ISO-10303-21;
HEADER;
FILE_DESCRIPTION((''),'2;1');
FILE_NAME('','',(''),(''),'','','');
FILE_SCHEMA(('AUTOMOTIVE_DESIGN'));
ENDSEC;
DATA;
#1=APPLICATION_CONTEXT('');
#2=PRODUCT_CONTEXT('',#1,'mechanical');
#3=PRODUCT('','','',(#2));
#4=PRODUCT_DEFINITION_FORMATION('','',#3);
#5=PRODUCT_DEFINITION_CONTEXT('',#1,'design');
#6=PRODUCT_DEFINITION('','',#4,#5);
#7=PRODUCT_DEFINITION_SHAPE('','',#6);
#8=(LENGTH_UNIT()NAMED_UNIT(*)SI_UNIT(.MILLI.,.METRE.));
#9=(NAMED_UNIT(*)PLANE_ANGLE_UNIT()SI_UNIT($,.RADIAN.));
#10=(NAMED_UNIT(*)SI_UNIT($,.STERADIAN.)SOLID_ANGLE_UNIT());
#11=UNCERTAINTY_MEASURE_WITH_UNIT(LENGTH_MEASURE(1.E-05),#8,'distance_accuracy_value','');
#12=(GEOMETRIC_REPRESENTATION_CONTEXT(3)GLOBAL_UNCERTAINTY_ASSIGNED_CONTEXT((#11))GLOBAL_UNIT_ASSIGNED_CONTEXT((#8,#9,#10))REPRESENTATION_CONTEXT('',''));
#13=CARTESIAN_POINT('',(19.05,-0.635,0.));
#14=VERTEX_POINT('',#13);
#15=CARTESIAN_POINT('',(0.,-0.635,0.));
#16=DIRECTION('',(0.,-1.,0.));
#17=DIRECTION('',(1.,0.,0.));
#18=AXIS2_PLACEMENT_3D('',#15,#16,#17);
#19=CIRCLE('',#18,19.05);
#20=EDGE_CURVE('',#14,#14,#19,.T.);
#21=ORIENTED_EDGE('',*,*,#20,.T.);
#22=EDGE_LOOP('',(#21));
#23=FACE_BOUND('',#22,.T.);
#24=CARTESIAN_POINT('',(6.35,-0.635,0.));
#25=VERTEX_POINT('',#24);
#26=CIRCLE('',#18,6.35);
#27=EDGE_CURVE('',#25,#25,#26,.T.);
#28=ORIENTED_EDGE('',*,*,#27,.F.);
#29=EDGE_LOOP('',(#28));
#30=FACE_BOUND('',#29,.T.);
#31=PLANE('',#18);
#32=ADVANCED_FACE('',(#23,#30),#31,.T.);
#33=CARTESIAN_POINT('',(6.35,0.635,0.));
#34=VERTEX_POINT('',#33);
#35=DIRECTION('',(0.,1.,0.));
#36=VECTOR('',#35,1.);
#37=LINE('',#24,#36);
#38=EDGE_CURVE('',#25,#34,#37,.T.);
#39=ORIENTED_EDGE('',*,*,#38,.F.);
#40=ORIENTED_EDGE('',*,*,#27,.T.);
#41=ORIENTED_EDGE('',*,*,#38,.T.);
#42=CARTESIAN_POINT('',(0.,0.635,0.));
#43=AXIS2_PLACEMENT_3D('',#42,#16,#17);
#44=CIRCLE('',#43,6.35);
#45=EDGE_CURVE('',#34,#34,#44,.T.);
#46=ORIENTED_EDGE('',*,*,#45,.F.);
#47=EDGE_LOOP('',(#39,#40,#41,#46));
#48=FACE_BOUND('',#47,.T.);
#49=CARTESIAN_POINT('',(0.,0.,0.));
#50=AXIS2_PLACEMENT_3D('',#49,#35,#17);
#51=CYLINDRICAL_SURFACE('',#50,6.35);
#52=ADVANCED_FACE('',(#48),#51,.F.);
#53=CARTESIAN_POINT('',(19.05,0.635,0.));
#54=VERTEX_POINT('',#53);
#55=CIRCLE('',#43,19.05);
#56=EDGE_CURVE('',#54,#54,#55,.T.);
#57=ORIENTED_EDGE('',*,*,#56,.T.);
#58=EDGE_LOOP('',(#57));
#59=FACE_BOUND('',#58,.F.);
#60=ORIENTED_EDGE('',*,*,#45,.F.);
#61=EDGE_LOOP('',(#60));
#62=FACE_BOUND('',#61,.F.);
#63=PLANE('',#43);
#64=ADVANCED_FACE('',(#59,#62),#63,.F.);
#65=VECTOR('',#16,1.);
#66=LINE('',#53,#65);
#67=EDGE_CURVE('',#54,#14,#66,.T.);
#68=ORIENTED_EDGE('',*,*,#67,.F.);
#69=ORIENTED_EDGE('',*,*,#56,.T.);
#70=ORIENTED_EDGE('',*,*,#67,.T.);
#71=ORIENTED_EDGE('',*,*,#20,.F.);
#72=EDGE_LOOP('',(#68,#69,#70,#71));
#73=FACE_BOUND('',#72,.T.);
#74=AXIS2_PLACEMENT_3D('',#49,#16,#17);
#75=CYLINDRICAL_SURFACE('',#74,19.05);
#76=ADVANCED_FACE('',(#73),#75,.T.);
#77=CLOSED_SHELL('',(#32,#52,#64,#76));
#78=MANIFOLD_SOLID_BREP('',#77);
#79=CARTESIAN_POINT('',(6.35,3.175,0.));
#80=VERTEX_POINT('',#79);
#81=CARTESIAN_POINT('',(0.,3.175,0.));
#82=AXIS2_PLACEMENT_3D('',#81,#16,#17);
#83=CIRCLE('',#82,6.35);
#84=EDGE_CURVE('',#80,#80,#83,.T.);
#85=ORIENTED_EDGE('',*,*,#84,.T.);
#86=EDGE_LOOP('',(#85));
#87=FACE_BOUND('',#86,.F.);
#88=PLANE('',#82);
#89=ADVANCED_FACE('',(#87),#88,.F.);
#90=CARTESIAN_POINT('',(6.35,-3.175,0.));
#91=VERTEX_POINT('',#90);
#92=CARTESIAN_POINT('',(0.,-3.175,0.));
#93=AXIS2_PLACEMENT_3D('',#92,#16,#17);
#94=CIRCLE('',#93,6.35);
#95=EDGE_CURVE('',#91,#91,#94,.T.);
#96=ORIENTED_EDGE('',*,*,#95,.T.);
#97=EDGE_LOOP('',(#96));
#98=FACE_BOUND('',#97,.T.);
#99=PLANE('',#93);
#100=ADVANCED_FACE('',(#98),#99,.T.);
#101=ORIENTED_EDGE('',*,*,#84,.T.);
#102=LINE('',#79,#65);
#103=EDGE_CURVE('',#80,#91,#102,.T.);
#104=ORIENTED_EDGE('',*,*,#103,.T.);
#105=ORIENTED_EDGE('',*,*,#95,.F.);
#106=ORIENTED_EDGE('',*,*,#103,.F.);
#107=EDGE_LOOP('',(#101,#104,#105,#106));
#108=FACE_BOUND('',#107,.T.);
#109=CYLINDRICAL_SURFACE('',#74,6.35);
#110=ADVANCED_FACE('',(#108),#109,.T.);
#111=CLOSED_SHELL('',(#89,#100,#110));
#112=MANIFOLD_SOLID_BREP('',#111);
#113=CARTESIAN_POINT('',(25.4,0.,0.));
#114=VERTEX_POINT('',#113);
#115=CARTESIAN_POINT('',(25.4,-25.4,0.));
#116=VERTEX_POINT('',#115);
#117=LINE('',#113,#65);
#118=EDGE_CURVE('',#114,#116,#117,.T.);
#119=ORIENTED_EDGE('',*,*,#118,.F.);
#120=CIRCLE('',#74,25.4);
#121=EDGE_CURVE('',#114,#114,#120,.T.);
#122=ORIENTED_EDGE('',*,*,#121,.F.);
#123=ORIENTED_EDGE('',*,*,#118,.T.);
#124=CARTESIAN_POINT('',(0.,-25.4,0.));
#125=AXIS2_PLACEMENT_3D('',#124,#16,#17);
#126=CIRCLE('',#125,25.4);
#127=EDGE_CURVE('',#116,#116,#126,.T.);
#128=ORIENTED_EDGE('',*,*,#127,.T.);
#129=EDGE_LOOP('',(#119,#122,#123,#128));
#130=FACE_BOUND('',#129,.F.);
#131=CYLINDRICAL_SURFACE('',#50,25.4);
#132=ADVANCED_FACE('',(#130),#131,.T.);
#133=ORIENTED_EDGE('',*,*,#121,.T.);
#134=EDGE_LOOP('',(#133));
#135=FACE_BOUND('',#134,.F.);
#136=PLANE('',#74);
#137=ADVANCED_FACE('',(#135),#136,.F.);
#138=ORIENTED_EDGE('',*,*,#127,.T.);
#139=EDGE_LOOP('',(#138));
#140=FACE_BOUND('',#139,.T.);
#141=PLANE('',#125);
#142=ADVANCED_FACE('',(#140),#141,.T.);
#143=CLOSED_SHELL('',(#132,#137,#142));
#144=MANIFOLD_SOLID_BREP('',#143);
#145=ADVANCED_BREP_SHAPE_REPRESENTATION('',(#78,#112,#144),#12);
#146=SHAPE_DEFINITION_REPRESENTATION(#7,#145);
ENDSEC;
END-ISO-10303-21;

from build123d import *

# Parameters (mm, degrees)
F0_R     = 25.4
F0_R_2   = 19.05
F0_R_3   = 6.35
F1_DEPTH = 25.4
F2_DEPTH = 0.635
F3_DEPTH = 3.175


with BuildPart() as f1:
    # F0 (on Front) → F1 (new body)
    with BuildSketch(Plane.XZ):
        Circle(F0_R)
        Circle(F0_R_2, mode=Mode.SUBTRACT)
        Circle(F0_R_2)
        Circle(F0_R_3, mode=Mode.SUBTRACT)
        Circle(F0_R_3)
    extrude(amount=F1_DEPTH)


with BuildPart() as f2:
    # F0 (on Front) → F2 (new body, symmetric)
    with BuildSketch(Plane.XZ):
        Circle(F0_R_2)
        Circle(F0_R_3, mode=Mode.SUBTRACT)
    extrude(amount=F2_DEPTH, both=True)


with BuildPart() as f3:
    # F0 (on Front) → F3 (new body, symmetric)
    with BuildSketch(Plane.XZ):
        Circle(F0_R_3)
    extrude(amount=F3_DEPTH, both=True)


solid = Compound([f1.part, f2.part, f3.part])
